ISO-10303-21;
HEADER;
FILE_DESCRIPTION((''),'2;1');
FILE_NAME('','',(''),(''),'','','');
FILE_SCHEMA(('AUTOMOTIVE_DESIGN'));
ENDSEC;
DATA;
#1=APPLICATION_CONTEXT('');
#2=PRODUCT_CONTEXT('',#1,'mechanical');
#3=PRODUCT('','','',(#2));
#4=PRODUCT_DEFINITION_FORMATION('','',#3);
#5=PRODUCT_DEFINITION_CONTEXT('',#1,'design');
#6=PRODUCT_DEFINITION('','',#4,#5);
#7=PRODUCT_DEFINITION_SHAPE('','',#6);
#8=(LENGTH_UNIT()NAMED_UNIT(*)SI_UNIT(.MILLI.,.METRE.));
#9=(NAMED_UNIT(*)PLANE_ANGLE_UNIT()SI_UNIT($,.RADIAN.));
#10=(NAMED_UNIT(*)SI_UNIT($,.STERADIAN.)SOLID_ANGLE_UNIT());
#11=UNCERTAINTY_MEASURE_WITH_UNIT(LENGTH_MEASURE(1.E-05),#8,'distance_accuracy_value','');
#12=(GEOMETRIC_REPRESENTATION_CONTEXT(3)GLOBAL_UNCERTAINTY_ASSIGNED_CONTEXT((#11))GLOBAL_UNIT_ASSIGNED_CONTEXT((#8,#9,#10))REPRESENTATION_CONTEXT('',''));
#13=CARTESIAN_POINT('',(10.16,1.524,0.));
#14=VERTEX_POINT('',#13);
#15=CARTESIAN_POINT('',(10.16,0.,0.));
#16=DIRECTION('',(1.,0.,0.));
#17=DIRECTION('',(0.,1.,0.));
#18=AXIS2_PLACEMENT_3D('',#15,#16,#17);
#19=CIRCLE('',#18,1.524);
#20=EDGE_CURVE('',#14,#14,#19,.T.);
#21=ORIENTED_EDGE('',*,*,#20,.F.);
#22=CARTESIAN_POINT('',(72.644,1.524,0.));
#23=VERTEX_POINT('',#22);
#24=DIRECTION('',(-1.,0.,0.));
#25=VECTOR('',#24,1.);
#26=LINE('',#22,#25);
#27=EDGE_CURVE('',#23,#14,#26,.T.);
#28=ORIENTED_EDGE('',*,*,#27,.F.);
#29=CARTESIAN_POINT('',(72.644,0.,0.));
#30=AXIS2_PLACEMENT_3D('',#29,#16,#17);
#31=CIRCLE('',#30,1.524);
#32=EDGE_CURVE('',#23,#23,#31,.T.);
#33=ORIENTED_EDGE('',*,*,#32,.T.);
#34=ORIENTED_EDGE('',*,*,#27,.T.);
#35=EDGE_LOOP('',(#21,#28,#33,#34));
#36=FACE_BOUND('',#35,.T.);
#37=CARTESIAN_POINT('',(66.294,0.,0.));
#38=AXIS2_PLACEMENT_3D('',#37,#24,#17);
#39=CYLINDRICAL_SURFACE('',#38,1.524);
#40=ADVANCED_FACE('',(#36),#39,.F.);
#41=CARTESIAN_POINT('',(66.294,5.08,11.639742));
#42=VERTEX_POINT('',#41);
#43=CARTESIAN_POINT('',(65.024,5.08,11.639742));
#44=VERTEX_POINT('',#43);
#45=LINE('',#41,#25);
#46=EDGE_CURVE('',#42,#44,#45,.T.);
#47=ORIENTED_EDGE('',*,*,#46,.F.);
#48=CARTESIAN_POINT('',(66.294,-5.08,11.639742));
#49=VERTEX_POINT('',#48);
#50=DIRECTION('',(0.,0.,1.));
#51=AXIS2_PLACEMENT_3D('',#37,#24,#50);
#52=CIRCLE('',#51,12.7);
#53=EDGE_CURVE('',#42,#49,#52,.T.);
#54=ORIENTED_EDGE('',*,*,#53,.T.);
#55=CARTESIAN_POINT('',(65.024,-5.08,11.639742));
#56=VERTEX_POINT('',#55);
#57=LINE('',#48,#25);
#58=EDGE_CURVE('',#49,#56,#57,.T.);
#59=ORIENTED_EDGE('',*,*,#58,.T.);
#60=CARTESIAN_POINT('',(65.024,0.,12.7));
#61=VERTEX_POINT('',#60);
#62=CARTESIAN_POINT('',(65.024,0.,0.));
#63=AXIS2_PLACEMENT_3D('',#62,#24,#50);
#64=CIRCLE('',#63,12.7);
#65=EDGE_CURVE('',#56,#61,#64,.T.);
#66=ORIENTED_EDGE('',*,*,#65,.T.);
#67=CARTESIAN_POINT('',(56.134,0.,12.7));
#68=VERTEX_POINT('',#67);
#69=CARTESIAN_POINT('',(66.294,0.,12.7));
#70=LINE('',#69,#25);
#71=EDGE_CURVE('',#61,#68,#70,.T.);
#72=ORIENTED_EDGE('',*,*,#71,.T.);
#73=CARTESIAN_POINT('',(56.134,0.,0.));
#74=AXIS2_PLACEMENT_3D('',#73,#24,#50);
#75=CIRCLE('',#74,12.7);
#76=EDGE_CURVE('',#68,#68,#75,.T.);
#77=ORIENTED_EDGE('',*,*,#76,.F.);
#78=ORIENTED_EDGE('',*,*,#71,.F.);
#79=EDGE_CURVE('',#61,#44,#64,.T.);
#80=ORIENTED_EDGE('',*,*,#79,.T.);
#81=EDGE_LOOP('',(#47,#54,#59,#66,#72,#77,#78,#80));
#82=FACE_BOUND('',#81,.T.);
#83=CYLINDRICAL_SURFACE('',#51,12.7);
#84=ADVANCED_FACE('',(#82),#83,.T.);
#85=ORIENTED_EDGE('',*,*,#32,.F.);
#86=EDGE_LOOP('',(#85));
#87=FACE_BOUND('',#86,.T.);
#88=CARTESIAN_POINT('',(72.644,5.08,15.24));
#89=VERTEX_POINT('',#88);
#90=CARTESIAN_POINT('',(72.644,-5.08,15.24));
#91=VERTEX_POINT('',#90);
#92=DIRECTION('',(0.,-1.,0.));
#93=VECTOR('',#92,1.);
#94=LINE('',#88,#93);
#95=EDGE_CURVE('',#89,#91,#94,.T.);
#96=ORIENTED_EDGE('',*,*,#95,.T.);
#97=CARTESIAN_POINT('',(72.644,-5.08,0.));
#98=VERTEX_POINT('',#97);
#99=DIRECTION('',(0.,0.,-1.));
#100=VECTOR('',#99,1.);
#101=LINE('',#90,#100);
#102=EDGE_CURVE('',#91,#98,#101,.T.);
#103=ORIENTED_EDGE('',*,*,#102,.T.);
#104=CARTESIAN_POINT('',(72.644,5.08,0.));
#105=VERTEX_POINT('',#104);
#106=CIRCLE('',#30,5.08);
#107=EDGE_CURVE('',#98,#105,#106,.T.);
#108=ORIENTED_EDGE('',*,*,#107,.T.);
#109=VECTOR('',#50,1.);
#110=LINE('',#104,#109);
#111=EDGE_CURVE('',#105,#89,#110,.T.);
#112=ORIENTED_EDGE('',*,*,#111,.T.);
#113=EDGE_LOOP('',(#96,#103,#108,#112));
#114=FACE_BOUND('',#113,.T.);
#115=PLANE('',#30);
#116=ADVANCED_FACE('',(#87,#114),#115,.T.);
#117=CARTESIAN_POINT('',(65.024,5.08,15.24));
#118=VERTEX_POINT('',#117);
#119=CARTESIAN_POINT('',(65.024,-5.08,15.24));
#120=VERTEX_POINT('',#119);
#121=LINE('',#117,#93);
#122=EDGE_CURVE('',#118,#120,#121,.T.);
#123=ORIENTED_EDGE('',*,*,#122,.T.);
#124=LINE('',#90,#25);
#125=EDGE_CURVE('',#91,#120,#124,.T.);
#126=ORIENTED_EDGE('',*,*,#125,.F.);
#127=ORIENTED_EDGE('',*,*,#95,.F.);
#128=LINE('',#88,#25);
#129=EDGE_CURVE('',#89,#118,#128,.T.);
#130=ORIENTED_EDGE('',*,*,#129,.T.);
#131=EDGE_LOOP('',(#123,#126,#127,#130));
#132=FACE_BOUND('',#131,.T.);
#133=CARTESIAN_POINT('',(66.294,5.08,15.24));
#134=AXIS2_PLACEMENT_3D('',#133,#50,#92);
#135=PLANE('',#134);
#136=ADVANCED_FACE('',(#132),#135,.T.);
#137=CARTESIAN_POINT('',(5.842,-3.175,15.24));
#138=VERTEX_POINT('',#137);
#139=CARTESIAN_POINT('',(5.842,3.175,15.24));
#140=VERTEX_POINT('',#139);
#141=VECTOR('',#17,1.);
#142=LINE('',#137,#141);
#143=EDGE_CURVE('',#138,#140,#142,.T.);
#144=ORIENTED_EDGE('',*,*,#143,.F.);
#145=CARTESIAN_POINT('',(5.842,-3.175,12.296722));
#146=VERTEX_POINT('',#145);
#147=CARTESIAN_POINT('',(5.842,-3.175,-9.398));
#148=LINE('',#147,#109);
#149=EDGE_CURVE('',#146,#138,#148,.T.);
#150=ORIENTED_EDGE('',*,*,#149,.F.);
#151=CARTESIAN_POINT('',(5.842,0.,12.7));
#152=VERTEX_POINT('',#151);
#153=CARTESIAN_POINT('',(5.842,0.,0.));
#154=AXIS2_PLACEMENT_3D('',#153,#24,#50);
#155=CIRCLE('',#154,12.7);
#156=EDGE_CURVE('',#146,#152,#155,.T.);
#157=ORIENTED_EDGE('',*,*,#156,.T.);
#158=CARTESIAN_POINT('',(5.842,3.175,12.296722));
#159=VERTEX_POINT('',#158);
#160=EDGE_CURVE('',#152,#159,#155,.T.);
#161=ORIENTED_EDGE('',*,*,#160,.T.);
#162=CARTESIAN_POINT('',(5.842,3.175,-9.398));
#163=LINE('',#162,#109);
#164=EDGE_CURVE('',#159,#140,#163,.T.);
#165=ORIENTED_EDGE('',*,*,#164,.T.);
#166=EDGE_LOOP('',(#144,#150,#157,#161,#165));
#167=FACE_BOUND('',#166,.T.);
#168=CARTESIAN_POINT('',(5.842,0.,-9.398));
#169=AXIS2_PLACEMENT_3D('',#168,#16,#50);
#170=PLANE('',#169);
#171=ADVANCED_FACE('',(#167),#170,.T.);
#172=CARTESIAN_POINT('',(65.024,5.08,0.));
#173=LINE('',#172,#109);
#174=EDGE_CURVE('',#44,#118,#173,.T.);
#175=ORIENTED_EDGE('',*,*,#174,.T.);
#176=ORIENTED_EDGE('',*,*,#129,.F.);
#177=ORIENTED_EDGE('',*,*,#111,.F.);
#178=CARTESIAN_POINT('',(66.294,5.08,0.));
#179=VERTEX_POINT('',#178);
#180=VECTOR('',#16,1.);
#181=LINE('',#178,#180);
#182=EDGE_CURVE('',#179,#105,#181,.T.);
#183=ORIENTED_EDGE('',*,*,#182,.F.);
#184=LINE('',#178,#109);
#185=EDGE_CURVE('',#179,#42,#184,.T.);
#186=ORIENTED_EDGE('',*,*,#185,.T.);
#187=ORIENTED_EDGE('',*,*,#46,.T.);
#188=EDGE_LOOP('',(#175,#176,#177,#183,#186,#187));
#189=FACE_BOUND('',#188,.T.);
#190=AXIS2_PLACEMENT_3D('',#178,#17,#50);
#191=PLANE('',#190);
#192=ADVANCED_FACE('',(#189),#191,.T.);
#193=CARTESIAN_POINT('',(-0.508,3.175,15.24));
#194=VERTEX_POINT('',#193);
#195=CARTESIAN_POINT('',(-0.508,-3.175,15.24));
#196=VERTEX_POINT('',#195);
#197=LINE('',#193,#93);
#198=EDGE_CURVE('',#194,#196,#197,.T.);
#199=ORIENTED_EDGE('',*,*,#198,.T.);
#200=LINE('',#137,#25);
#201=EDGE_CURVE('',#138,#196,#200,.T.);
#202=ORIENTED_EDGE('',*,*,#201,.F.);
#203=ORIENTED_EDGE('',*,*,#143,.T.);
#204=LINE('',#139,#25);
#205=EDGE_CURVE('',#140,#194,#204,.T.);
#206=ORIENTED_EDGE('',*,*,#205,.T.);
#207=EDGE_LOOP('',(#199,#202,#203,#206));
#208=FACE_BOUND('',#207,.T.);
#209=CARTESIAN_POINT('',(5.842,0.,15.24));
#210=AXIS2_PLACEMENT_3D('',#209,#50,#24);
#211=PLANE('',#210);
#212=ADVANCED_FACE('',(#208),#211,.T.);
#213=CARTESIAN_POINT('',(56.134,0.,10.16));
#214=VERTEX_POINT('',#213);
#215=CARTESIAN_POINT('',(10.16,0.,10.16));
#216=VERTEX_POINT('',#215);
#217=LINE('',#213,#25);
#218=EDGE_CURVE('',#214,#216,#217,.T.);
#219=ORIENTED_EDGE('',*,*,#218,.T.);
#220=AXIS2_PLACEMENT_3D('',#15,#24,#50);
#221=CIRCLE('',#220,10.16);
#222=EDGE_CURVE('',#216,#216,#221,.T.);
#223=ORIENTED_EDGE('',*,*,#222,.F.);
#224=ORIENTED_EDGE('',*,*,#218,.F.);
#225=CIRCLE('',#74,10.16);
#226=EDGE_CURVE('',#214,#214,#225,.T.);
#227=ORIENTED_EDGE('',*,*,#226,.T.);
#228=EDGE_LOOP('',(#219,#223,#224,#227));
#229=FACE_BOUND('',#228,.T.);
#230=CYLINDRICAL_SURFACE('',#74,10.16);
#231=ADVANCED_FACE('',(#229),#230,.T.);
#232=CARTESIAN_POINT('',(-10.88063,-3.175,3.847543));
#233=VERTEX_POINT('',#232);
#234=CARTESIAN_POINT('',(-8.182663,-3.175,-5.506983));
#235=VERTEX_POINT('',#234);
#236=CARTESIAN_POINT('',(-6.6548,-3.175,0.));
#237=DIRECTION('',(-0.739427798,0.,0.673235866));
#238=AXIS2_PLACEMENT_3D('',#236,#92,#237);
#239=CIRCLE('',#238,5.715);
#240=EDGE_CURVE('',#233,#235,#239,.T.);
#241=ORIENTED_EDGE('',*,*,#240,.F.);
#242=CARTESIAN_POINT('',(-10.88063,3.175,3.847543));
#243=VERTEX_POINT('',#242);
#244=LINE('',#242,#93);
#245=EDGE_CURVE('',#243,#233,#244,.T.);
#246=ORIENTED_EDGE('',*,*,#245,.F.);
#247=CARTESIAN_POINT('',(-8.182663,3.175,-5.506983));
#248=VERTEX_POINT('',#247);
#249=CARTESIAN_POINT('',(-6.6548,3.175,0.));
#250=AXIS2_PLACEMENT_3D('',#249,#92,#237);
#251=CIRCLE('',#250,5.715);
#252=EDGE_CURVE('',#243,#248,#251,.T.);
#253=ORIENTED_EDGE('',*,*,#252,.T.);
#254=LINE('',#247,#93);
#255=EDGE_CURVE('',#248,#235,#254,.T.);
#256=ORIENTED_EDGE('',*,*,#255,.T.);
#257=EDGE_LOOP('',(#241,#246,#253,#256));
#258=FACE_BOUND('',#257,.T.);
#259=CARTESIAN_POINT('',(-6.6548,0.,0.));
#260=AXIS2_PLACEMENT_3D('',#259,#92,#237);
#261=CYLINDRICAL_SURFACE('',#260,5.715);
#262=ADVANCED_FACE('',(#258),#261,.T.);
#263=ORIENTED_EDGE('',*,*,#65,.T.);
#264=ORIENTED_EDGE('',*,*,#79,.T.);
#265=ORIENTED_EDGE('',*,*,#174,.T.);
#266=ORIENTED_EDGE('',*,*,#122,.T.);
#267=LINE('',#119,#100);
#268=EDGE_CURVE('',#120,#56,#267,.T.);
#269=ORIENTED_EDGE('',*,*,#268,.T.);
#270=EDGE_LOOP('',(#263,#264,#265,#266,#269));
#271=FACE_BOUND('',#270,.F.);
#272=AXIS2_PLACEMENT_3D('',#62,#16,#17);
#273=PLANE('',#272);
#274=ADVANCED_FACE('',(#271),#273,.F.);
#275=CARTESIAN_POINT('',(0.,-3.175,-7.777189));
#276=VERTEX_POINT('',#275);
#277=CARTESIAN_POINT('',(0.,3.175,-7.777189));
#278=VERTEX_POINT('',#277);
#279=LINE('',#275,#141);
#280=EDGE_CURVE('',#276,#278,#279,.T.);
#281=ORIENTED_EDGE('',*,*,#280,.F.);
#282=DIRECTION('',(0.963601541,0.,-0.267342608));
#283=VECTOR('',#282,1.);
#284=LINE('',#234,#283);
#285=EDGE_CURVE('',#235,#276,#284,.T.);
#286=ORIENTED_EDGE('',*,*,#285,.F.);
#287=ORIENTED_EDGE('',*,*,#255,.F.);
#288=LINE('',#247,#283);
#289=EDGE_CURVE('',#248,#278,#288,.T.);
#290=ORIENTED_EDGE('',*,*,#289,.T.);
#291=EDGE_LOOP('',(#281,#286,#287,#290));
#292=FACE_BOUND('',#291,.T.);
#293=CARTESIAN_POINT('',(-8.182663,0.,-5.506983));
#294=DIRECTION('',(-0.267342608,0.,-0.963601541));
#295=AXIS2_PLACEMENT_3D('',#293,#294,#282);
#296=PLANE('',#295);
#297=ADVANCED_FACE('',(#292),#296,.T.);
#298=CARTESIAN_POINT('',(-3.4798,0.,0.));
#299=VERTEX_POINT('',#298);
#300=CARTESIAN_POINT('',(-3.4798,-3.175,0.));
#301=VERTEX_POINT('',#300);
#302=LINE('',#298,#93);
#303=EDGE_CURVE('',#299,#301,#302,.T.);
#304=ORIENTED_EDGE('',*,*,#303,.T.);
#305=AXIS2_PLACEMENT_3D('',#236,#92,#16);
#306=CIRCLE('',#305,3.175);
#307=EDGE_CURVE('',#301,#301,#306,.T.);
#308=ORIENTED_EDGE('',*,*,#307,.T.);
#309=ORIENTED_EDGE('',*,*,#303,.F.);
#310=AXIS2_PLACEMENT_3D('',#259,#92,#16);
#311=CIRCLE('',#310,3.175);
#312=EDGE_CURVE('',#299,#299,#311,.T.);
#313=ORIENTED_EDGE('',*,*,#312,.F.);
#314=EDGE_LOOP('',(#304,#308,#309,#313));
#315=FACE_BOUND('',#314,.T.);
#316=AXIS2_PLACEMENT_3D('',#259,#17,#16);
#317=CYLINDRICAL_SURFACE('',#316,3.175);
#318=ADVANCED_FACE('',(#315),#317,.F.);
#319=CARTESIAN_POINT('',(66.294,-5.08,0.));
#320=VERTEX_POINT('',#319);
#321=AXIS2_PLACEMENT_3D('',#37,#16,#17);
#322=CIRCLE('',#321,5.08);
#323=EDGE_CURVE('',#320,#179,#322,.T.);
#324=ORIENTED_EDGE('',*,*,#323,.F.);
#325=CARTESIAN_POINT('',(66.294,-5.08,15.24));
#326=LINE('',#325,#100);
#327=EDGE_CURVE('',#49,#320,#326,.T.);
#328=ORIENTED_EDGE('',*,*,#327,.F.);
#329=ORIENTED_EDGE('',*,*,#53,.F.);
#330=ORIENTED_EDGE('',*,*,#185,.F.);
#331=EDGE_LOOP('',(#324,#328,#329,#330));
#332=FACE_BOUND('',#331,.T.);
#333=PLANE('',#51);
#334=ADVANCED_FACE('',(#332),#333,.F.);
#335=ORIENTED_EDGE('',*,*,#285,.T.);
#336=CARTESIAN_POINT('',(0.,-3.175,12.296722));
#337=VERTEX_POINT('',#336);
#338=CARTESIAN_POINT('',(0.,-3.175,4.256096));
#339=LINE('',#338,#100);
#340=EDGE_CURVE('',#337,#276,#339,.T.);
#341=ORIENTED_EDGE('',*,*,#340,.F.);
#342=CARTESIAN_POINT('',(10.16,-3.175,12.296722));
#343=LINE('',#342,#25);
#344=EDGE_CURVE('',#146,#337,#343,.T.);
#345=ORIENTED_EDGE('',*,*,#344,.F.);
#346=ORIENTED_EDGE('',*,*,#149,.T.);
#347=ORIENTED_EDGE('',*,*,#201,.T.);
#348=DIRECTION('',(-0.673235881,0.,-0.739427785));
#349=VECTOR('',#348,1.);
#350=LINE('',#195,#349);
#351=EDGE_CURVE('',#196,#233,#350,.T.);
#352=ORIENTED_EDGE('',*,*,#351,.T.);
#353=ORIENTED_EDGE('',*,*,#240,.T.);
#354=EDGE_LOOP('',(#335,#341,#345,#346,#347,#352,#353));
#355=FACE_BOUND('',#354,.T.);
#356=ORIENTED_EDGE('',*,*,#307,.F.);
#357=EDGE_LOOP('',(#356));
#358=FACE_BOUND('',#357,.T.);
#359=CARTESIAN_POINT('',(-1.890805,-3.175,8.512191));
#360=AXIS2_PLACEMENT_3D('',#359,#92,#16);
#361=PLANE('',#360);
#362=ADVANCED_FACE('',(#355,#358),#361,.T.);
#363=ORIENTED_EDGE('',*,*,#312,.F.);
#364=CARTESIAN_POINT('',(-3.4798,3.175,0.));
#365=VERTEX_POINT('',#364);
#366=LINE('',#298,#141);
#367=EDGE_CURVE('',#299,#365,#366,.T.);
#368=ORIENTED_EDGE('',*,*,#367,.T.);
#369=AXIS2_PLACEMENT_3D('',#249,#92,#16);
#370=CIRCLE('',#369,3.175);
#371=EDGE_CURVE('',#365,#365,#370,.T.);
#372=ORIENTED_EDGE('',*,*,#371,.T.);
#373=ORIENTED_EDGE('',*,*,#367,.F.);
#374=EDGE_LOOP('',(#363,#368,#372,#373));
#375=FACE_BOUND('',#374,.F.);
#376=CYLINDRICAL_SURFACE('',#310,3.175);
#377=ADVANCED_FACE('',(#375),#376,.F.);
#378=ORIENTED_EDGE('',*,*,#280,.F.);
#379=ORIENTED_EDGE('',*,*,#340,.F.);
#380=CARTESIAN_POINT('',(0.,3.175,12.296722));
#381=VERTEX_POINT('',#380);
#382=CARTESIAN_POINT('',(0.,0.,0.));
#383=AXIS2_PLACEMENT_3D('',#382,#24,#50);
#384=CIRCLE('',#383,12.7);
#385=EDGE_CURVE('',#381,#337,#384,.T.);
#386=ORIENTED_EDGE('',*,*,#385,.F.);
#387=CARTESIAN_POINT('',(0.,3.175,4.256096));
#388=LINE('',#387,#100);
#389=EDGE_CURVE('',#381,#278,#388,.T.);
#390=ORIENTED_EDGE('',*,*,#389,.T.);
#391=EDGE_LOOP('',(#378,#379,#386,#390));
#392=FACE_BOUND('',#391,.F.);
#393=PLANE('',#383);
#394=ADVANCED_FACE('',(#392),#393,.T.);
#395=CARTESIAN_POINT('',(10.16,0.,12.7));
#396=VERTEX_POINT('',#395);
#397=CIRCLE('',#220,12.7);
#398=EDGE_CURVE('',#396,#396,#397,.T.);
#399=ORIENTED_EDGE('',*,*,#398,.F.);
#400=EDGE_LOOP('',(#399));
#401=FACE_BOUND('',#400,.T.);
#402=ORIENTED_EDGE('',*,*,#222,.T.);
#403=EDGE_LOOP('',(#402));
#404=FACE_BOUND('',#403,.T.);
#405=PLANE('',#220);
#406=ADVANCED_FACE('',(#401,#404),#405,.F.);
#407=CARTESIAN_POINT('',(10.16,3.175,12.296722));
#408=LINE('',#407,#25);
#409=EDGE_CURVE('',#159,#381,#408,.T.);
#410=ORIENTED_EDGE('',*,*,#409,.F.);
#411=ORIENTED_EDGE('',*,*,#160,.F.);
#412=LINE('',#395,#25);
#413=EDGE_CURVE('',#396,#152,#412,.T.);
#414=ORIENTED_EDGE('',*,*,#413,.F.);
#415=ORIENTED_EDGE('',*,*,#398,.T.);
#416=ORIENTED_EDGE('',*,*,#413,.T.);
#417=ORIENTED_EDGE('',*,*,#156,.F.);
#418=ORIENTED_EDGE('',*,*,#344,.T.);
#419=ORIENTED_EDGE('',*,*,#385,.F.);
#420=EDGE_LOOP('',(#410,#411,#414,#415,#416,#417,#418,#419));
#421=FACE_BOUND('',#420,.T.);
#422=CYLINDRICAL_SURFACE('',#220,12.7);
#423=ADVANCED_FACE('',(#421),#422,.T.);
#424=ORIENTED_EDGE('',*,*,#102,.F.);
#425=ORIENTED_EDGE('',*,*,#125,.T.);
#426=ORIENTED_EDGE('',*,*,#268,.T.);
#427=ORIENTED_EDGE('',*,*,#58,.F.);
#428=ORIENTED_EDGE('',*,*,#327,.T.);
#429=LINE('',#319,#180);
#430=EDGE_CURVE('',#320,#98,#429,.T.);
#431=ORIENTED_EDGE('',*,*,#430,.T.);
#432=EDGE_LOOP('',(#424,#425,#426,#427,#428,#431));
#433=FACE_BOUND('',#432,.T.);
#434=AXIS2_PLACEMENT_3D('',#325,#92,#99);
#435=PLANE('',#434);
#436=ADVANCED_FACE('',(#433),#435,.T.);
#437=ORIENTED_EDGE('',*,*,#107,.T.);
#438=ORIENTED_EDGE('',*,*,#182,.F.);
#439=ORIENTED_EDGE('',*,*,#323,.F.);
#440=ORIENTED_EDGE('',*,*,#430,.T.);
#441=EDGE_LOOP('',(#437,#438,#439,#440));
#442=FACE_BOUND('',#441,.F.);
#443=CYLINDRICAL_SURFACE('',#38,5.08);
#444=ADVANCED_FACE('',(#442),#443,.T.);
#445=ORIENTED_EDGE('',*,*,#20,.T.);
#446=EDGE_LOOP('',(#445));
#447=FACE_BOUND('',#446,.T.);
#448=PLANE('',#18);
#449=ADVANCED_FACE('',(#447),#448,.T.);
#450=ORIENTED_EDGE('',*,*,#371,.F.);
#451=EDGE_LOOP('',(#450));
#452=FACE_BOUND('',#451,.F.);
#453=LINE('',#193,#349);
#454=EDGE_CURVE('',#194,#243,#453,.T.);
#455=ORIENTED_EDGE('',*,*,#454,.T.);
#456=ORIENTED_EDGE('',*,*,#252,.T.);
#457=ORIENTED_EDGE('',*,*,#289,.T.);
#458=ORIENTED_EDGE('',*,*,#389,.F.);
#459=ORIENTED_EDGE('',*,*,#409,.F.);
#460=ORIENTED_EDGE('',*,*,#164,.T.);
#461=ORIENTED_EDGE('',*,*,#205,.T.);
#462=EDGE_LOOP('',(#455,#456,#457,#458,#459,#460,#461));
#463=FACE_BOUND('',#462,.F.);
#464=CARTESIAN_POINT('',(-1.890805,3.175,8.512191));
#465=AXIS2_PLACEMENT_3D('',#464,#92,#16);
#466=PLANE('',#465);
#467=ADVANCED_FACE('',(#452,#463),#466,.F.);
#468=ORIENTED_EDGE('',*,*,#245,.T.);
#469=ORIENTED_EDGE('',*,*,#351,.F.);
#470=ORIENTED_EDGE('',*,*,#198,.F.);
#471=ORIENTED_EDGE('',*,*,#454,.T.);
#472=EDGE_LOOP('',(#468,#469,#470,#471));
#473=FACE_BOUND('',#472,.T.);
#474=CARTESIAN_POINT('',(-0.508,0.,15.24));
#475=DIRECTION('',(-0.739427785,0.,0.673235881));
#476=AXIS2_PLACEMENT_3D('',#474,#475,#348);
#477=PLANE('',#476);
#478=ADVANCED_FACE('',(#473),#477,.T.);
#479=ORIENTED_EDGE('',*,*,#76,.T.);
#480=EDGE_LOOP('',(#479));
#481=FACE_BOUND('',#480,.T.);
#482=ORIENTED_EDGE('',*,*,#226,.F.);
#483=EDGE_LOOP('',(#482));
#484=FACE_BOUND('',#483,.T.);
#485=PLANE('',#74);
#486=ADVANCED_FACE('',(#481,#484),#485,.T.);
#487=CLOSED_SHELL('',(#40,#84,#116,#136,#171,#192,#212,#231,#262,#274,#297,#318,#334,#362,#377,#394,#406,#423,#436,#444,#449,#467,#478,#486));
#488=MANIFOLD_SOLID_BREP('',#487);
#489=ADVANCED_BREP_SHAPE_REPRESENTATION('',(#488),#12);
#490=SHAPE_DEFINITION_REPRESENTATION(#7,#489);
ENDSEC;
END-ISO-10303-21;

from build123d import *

# Parameters (mm, degrees)
F0_W          = 5.842
F0_H          = 12.7
F2_R          = 1.524
F3_DEPTH      = 6.35
F3_DEPTH_BACK = 1.27
F4_DEPTH      = 56.134
F0_R          = 3.175
F5_DEPTH      = 3.175
F5_DEPTH_BACK = 3.175


with BuildPart() as f1:
    # F0 (on Front) → F1 (revolve)
    with BuildSketch(Plane.XZ):
        Polygon((5.842, 12.7), (5.842, 0), (66.294, 0), (66.294, 12.7), (56.134, 12.7), (56.134, 10.16), (10.16, 10.16), (10.16, 12.7), align=None)
        with Locations((2.921, 6.35)):
            Rectangle(F0_W, F0_H)
    revolve(axis=Axis((33.147, 0, 0), (-1, 0, 0)))

    # F2 (on face) → F3 (join, two sides)
    with BuildSketch(Plane.YZ.offset(66.294)) as f3_sk:
        with BuildLine():
            ThreePointArc((-5.08, 0), (0, -5.08), (5.08, 0))
            ThreePointArc((5.08, 0), (0, 5.08), (-5.08, 0))
        make_face()
        Circle(F2_R, mode=Mode.SUBTRACT)
        with BuildLine():
            ThreePointArc((-5.08, 0), (0, 5.08), (5.08, 0))
            Line((5.08, 0), (5.08, 15.24))
            Line((5.08, 15.24), (-5.08, 15.24))
            Line((-5.08, 15.24), (-5.08, 0))
        make_face()
    extrude(amount=F3_DEPTH)
    extrude(f3_sk.sketch, amount=-F3_DEPTH_BACK)

    # F2 (on face) → F4 (cut, through all)
    with BuildSketch(Plane.YZ.offset(66.294)):
        Circle(F2_R)
    extrude(amount=-F4_DEPTH, mode=Mode.SUBTRACT)

    # F0 (on Front) → F5 (join, two sides)
    with BuildSketch(Plane.XZ) as f5_sk:
        with BuildLine():
            Line((-0.9398, 0), (0, 0))
            Line((0, 0), (0, 12.7))
            Line((0, 12.7), (5.842, 12.7))
            Line((5.842, 12.7), (5.842, 15.24))
            Line((5.842, 15.24), (-0.508, 15.24))
            Line((-0.508, 15.24), (-10.88063, 3.847543))
            ThreePointArc((-10.88063, 3.847543), (-4.591961, 5.329721), (-0.9398, 0))
        make_face()
        with BuildLine():
            ThreePointArc((-8.182663, -5.506983), (-3.195791, -4.549339), (-0.9398, 0))
            ThreePointArc((-0.9398, 0), (-4.591961, 5.329721), (-10.88063, 3.847543))
            ThreePointArc((-10.88063, 3.847543), (-12.145978, -1.583727), (-8.182663, -5.506983))
        make_face()
        with Locations((-6.6548, 0)):
            Circle(F0_R, mode=Mode.SUBTRACT)
        with BuildLine():
            Line((5.842, 0), (0, 0))
            Line((0, 0), (-0.9398, 0))
            ThreePointArc((-0.9398, 0), (-3.195791, -4.549339), (-8.182663, -5.506983))
            Line((-8.182663, -5.506983), (5.842, -9.398))
            Line((5.842, -9.398), (5.842, 0))
        make_face()
        with Locations((2.921, 6.35)):
            Rectangle(F0_W, F0_H)
    extrude(amount=F5_DEPTH)
    extrude(f5_sk.sketch, amount=-F5_DEPTH_BACK)


solid = f1.part
